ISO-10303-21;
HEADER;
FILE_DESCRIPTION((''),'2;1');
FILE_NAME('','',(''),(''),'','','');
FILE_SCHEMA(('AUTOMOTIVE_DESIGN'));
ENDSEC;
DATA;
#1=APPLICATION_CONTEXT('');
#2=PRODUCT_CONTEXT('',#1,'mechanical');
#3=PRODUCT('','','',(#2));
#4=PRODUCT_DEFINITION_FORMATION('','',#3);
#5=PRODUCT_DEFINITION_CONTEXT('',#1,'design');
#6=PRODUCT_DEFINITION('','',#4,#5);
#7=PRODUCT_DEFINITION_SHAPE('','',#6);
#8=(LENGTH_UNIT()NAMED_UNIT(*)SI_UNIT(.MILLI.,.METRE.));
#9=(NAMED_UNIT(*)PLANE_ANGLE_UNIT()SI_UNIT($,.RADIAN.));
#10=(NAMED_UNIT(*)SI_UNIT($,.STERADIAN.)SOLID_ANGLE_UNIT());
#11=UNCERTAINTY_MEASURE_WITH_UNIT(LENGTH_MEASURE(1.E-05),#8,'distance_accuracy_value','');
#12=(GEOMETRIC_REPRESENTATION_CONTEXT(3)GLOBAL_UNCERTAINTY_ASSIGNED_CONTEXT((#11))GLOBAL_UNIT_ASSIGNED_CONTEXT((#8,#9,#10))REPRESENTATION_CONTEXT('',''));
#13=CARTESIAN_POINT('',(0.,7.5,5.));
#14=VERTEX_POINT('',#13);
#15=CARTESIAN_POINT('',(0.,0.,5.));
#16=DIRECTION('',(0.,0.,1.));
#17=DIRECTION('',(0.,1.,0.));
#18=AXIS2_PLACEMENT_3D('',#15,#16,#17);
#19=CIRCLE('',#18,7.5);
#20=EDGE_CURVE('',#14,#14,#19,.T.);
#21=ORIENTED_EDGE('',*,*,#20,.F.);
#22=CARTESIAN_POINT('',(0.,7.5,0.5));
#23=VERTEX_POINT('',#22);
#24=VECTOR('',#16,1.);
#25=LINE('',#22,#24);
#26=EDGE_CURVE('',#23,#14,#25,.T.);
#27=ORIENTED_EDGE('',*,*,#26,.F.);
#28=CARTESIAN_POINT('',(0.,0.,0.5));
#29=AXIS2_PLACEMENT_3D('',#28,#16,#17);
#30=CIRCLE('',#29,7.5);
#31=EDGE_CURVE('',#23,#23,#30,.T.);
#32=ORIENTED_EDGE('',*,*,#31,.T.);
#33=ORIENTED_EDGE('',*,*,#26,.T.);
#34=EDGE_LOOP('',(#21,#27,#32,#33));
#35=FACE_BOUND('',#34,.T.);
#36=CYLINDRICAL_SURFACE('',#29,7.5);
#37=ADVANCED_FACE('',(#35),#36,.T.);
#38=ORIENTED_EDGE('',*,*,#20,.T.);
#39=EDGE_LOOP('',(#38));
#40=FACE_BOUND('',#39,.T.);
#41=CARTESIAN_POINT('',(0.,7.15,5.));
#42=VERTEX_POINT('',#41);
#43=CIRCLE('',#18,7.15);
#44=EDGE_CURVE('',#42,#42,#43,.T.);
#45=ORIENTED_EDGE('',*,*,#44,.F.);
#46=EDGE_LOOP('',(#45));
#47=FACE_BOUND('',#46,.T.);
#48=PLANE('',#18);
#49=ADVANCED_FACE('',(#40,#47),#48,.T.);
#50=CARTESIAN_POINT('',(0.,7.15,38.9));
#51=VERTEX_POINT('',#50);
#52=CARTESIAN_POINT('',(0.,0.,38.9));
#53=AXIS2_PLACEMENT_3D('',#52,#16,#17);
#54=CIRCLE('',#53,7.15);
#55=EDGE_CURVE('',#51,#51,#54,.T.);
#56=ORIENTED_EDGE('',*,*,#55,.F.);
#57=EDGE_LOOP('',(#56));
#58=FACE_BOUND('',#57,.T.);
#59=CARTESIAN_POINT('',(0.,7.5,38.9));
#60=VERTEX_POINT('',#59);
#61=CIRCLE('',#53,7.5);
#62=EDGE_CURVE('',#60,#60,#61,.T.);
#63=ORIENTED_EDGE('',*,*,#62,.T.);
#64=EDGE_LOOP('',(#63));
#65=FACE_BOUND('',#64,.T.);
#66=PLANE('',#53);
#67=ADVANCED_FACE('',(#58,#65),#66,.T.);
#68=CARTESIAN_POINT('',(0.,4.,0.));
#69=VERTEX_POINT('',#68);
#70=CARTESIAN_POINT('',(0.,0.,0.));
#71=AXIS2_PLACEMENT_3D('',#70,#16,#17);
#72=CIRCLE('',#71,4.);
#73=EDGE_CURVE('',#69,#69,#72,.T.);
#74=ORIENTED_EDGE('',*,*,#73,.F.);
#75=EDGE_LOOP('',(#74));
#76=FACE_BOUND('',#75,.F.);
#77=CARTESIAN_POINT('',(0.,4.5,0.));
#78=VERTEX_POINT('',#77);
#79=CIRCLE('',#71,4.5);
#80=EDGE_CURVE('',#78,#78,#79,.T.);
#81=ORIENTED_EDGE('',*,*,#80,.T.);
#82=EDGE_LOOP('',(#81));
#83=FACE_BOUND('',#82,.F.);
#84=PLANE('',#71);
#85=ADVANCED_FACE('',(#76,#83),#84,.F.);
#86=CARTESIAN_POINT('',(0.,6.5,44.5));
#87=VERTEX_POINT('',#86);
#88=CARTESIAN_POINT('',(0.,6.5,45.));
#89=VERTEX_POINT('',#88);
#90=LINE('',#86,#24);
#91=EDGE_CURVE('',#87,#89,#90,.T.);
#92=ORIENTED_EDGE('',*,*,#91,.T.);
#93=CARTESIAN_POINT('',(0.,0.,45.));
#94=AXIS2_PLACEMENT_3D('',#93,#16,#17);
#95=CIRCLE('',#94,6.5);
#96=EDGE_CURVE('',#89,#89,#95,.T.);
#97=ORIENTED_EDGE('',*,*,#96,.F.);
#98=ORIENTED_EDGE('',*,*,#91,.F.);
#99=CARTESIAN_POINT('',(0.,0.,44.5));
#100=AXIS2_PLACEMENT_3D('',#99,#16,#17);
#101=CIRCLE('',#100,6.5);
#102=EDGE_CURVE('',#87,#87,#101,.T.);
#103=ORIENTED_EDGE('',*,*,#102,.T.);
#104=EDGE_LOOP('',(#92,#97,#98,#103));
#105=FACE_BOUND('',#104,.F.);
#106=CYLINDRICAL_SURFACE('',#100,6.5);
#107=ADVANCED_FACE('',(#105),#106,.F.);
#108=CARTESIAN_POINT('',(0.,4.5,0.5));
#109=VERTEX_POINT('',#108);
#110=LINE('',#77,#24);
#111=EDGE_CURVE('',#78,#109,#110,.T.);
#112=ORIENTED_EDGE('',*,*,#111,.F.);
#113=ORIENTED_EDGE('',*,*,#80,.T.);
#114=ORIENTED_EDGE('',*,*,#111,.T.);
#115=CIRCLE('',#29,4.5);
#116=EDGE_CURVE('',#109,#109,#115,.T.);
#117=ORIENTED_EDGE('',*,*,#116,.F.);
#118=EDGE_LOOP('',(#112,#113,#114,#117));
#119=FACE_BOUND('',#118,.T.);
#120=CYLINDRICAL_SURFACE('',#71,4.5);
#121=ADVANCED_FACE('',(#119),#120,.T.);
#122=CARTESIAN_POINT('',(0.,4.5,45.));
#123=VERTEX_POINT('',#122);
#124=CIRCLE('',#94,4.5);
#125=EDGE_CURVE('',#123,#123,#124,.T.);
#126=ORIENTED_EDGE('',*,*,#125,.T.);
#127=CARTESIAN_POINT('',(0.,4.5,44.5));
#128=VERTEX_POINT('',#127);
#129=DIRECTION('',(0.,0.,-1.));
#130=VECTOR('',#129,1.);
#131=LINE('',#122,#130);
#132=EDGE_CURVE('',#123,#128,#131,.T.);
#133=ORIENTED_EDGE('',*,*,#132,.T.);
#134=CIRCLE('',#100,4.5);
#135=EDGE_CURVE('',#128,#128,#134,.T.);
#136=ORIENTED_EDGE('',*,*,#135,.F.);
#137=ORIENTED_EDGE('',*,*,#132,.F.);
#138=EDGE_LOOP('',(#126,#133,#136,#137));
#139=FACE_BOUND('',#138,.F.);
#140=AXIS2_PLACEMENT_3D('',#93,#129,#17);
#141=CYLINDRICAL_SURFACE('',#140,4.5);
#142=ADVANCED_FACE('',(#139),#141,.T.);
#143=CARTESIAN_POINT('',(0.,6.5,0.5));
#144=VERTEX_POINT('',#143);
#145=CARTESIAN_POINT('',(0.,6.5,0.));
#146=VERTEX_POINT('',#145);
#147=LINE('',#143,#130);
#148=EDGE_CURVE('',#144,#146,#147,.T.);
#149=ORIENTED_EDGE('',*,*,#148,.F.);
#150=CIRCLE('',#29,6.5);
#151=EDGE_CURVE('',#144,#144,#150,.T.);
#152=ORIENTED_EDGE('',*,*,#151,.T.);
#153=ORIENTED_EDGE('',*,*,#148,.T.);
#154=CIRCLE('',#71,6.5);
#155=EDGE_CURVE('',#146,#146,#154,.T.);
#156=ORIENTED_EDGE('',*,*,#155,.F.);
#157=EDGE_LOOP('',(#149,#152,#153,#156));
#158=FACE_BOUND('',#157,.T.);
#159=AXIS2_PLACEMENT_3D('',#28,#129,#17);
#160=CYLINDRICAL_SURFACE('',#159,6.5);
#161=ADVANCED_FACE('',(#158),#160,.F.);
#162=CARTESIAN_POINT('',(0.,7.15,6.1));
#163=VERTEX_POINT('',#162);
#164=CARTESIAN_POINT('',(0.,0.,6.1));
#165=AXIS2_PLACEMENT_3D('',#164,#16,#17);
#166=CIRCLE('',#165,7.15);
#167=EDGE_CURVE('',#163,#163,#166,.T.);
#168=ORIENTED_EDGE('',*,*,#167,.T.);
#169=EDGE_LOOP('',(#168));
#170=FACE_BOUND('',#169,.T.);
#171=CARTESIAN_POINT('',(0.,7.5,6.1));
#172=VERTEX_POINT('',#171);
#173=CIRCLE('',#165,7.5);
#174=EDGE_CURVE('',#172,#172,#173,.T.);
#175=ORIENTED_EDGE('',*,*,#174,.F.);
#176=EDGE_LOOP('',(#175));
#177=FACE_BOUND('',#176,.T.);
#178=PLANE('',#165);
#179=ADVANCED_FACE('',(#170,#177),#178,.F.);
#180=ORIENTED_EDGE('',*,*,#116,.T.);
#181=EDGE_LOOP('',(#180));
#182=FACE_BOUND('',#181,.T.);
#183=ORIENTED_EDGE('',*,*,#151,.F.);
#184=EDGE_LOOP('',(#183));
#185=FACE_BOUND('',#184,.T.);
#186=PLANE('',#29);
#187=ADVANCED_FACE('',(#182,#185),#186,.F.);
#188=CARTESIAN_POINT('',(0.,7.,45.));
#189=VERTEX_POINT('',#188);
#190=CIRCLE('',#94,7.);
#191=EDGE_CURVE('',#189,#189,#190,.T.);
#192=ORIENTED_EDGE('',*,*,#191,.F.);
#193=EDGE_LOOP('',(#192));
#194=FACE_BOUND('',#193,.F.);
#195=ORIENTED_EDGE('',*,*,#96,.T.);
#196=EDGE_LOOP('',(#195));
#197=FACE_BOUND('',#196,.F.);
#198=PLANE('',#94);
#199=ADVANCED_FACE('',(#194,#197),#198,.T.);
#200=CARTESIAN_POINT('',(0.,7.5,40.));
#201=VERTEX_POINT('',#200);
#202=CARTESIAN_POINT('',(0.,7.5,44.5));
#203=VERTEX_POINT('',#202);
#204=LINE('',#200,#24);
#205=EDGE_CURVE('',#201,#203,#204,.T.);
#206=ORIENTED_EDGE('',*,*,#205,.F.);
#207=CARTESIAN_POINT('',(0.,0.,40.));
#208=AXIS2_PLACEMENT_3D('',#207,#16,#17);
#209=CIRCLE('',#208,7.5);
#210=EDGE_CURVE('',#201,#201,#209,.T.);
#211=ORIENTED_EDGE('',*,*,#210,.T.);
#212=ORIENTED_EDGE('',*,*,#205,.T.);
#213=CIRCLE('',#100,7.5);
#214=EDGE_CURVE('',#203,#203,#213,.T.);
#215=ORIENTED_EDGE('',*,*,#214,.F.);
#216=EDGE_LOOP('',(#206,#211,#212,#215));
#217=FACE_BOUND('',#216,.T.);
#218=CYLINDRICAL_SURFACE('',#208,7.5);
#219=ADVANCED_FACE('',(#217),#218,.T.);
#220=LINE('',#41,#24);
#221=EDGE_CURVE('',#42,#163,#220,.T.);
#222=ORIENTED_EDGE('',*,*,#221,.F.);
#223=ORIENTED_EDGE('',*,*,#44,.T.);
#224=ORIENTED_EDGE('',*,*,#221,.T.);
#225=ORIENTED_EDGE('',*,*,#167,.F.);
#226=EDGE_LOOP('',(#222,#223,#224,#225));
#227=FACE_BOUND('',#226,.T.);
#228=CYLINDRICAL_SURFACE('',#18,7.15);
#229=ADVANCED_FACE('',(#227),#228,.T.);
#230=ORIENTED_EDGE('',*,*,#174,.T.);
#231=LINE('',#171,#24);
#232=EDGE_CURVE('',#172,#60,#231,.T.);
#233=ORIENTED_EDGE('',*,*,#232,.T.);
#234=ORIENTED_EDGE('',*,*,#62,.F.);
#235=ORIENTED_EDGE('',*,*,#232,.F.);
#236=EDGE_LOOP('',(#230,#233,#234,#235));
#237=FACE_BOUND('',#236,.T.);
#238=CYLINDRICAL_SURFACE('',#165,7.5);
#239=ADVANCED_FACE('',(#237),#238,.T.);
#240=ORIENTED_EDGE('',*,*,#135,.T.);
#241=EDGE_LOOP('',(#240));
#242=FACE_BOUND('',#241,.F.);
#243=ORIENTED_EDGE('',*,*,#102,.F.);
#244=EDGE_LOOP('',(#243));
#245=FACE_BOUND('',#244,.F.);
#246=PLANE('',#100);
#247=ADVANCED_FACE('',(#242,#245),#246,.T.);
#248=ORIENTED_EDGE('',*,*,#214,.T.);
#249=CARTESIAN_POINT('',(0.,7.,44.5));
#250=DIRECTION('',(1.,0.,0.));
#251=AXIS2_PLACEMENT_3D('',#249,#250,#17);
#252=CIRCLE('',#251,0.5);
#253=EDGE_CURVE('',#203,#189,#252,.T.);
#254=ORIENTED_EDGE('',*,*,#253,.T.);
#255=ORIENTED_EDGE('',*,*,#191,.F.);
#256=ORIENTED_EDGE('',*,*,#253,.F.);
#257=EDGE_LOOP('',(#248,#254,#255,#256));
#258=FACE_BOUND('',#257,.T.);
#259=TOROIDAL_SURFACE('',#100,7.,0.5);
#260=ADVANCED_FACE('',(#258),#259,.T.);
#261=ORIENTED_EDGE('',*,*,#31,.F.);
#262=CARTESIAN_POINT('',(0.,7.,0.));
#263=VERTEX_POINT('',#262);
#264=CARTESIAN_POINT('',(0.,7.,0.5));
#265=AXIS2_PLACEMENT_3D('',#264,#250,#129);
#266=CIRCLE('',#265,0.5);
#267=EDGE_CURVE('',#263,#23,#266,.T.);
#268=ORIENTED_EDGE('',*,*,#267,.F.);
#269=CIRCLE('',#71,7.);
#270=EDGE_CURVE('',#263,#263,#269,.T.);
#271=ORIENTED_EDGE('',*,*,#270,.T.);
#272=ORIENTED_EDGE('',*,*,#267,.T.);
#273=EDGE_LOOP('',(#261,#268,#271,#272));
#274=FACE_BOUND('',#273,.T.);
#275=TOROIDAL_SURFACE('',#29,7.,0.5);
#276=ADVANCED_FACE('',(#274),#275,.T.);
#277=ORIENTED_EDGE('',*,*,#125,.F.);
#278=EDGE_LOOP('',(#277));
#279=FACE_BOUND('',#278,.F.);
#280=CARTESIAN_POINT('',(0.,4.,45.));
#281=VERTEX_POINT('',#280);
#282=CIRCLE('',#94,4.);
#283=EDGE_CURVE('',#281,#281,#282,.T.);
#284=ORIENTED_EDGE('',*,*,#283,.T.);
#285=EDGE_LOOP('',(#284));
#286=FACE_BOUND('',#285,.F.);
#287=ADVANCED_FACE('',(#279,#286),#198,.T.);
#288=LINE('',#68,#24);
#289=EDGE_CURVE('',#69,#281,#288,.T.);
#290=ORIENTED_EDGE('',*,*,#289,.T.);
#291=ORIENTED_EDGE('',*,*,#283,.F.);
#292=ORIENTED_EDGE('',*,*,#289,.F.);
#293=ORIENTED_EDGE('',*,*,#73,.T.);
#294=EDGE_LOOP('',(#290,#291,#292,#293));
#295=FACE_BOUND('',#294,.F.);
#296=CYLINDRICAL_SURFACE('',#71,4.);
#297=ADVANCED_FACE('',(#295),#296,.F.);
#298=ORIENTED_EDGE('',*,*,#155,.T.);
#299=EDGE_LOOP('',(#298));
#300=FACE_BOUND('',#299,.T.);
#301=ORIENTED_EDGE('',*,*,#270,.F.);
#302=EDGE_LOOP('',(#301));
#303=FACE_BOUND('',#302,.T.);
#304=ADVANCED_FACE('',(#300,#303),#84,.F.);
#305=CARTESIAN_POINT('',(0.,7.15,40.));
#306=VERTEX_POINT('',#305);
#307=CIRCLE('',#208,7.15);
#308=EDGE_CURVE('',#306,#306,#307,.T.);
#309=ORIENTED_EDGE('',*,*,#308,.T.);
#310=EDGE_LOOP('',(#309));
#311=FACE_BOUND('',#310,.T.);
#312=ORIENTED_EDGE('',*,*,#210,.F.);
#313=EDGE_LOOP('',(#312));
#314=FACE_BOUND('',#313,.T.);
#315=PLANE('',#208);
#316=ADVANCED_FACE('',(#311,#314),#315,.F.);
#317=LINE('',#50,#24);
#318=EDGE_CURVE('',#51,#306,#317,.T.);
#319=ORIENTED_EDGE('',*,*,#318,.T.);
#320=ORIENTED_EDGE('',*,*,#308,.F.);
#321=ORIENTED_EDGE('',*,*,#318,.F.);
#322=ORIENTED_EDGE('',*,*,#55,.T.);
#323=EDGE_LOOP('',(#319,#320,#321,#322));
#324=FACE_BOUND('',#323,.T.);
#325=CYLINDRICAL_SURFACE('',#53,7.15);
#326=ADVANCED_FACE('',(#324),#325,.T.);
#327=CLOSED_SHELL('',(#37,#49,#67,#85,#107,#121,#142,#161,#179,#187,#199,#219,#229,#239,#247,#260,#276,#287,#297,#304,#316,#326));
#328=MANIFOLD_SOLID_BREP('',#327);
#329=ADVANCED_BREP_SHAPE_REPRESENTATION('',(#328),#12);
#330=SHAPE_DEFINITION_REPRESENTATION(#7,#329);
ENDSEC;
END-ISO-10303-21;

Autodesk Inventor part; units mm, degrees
ref_plane "YZ Plane" through (0, 0, 0) normal (1, 0, 0) x (0, 1, 0)
ref_plane "XZ Plane" through (0, 0, 0) normal (0, 1, 0) x (-1, 0, 0)
ref_plane "XY Plane" through (0, 0, 0) normal (0, 0, 1) x (1, 0, 0)
sketch "Skizze2" plane through (0, 0, 0) normal (1, 0, 0) x (0, 1, 0)
  line L0 (4.5, 0) -> (4.5, 0.5)
  line L1 (4.5, 0) -> (5, 0) construction
  line L2 (4.5, 0.5) -> (6.5, 0.5)
  line L3 (6.5, 0.5) -> (6.5, 0)
  line L4 (6.5, 0) -> (7, 0)
  line L5 (4.5, 0) -> (4, 0)
  line L6 (4, 0) -> (4, 45)
  line L7 (4, 45) -> (4.5, 45)
  line L8 (4.5, 45) -> (4.5, 44.5)
  line L9 (4.5, 44.5) -> (6.5, 44.5)
  line L10 (6.5, 44.5) -> (6.5, 45)
  line L11 (6.5, 45) -> (7, 45)
  arc A0 (7.5, 44.5) -> (7, 45) centre (7, 44.5) ccw
  arc A1 (7, 0) -> (7.5, 0.5) centre (7, 0.5) ccw
  line L12 (0, -9.145) -> (0, 54.145) projected
  line L13 (7.5, 0.5) -> (7.5, 5)
  line L14 (7.5, 5) -> (7.15, 5)
  line L15 (7.15, 5) -> (7.15, 6.1)
  line L16 (7.15, 6.1) -> (7.5, 6.1)
  line L17 (7.5, 6.1) -> (7.5, 38.9)
  line L18 (7.5, 38.9) -> (7.15, 38.9)
  line L19 (7.15, 38.9) -> (7.15, 40)
  line L20 (7.15, 40) -> (7.5, 40)
  line L21 (7.5, 40) -> (7.5, 44.5)
  point P0 (0, 0)
  point P1 (7.5, 0)
  point P2 (7.5, 45)
  dimension "d1" = 0.5
  dimension "d2" = 90
  dimension "d4" = 1
  dimension "d7" = 0.5
  dimension "d8" = 45
  dimension "d10" = 0.5
  dimension "d12" = 0.5
  dimension "d14" = 4
  dimension "d16" = 1
  dimension "d17" = 0.5
  dimension "d18" = 0
  dimension "d19" = 0.5
  dimension "d24" = 1.1
  dimension "d25" = 1.1
  dimension "d26" = 0.35
  dimension "d27" = 0.35
  dimension "d29" = 2
  dimension "d30" = 2
  dimension "d31" = 5
  dimension "d33" = 1
  dimension "d34" = 0.5
  dimension "d35" = 0.5
  dimension "d36" = 0.5
  dimension "d37" = 0
  dimension "d38" = 35
revolve "Umdrehung1" add sketch "Skizze2" angle 360 about axis through (0, 0, -10) along (0, 0, 1)
properties part number "lm8luu" material "Edelstahl, 440C"
